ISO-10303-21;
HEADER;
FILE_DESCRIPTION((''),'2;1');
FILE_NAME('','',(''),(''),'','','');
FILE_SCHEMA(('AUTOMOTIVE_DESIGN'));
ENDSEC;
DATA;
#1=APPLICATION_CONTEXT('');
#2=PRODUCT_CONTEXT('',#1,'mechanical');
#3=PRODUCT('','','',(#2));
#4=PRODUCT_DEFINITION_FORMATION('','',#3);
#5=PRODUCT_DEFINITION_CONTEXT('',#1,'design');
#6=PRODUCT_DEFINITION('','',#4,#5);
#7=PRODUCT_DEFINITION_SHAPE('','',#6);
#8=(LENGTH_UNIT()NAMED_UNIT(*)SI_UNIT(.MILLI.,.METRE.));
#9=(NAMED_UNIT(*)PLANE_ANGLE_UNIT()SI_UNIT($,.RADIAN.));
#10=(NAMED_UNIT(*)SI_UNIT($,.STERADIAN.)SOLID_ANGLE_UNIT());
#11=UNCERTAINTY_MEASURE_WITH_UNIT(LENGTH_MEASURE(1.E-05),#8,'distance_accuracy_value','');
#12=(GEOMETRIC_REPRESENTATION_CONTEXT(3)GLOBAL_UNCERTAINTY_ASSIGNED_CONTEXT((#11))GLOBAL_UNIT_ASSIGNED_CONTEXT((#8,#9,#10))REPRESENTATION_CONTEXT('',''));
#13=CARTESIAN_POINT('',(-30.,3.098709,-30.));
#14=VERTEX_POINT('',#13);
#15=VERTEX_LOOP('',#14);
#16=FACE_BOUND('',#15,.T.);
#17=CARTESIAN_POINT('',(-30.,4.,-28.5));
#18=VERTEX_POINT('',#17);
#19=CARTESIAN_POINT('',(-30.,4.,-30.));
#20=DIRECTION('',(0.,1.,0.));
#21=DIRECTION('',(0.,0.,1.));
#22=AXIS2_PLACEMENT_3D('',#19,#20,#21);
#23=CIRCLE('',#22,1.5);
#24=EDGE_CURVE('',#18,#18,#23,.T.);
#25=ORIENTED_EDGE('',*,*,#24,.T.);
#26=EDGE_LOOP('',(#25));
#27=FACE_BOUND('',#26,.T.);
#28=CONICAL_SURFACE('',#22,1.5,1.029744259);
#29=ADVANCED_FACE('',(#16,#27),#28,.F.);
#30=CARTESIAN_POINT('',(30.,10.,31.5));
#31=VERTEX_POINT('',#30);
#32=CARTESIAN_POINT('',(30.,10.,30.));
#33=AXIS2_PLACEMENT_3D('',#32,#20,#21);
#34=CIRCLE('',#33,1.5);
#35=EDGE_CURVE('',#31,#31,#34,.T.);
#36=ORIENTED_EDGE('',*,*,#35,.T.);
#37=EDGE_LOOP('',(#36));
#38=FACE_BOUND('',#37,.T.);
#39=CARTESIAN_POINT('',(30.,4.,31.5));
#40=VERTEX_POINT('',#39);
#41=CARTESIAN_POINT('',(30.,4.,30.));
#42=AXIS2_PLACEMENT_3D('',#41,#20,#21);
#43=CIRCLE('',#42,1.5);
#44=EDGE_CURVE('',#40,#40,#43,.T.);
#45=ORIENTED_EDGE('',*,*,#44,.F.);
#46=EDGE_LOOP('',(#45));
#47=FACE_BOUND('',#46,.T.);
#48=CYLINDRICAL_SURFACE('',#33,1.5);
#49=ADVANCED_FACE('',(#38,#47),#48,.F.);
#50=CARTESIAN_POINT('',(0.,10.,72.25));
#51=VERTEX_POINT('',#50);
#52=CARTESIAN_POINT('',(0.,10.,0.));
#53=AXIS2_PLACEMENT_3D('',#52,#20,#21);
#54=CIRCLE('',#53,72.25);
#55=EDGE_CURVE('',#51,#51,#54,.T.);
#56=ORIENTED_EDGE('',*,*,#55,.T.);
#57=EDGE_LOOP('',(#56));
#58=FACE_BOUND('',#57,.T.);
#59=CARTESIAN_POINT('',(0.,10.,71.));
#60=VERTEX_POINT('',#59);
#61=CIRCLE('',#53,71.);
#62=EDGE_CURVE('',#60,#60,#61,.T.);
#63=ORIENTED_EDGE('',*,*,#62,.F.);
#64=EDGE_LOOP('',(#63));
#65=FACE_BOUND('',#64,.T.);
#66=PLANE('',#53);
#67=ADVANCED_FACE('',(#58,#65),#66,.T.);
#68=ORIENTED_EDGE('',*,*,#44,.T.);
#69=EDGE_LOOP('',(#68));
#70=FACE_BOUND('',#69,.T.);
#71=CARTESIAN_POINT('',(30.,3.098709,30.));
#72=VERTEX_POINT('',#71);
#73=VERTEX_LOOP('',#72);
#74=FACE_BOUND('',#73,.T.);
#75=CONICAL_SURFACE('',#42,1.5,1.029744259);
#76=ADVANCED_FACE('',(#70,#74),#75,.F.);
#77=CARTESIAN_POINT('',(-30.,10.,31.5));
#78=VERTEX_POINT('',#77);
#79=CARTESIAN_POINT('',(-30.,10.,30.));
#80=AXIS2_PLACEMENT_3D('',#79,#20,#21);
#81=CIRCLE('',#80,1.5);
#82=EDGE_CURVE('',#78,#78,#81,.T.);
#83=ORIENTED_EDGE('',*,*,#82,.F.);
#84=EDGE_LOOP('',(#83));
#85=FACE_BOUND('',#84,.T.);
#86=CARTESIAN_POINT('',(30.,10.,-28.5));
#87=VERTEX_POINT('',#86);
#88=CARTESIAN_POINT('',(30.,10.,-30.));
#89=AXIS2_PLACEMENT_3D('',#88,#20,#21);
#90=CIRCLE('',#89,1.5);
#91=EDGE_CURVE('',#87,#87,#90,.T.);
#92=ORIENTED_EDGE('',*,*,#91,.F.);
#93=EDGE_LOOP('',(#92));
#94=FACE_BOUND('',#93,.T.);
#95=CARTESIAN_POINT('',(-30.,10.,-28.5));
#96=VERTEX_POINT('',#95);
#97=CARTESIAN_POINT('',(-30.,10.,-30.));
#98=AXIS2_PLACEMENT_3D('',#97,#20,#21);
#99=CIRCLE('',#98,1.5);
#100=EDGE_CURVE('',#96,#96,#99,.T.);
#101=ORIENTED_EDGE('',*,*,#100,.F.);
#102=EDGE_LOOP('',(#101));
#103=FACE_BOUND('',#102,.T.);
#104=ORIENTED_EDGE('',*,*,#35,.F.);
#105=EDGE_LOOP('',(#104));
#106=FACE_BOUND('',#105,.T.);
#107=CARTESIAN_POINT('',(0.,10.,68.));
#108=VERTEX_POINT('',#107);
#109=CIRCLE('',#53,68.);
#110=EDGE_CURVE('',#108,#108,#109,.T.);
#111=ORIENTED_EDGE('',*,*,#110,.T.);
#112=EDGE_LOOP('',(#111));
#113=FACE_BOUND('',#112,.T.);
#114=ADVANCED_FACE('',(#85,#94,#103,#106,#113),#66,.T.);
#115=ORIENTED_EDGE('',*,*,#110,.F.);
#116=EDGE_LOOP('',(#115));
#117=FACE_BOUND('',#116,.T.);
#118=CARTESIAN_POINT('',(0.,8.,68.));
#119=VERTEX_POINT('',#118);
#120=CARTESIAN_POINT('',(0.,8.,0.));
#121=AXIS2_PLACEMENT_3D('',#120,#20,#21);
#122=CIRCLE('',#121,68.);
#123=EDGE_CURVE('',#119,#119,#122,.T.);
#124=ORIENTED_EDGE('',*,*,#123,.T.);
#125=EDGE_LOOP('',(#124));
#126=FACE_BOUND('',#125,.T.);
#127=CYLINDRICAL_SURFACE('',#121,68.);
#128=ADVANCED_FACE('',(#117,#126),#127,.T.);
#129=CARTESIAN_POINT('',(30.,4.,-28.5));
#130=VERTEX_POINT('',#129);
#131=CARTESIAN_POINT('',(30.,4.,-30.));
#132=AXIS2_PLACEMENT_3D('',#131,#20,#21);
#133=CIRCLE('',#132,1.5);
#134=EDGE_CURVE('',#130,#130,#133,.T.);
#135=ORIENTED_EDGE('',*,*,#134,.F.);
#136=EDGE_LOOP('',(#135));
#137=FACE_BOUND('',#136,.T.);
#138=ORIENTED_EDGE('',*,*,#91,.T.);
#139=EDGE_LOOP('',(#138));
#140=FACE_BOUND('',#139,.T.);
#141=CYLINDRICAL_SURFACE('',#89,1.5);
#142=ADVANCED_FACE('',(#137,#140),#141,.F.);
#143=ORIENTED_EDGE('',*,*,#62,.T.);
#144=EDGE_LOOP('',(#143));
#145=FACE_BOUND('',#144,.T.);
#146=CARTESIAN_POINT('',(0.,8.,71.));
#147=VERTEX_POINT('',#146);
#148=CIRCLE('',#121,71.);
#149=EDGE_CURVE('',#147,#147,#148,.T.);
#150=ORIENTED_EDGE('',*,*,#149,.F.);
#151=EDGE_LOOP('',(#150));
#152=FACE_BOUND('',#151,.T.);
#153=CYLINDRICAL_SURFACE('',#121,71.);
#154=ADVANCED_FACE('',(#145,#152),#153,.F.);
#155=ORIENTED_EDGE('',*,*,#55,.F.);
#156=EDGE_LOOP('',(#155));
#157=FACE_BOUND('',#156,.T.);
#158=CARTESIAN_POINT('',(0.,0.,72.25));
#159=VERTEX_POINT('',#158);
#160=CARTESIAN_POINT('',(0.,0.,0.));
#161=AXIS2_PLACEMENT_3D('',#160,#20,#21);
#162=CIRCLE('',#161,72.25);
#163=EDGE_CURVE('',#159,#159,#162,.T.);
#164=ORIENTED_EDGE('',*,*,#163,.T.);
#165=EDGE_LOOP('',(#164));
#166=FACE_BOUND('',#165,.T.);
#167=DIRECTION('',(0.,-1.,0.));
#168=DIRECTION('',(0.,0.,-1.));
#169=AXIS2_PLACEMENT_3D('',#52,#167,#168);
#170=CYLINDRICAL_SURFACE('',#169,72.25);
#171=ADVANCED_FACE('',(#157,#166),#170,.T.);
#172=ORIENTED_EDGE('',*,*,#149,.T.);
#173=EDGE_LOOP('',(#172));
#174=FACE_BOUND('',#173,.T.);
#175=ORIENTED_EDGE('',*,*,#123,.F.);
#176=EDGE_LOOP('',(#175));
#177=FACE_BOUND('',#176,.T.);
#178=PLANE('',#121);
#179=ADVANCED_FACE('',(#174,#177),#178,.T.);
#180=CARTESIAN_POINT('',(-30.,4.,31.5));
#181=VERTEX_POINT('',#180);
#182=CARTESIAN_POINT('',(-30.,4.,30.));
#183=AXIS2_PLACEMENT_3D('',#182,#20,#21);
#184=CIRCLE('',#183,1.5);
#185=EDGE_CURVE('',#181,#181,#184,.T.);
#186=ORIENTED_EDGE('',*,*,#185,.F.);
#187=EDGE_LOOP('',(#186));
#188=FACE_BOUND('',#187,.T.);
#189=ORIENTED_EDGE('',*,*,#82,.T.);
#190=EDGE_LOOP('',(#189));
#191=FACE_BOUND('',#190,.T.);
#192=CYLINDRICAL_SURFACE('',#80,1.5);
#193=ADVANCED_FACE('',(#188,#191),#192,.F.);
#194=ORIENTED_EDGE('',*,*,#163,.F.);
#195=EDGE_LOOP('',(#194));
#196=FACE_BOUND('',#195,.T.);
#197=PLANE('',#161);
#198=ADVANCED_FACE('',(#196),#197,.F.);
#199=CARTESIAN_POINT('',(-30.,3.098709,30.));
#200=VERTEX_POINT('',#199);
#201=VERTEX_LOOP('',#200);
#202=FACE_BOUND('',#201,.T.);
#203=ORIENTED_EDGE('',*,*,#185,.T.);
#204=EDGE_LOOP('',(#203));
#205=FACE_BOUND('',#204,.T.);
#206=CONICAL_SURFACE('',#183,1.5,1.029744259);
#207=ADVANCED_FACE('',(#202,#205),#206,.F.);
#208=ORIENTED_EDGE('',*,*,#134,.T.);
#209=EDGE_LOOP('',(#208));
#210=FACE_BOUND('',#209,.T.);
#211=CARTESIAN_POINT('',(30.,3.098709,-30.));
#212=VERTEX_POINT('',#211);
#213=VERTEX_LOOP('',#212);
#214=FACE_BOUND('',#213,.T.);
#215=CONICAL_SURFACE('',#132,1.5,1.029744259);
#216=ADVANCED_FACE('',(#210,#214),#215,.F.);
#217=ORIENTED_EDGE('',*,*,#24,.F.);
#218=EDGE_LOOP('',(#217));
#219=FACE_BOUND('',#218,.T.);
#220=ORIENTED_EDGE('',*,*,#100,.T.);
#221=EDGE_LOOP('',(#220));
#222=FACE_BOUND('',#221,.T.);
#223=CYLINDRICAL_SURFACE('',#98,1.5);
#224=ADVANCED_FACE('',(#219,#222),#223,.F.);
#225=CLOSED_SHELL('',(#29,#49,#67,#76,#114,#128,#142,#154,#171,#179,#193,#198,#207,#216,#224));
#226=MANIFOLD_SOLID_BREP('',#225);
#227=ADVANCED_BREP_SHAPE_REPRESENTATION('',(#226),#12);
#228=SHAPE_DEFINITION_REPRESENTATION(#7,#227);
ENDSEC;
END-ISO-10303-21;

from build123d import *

# Parameters (mm, degrees)
SKETCH_1_R          = 72.25
EXTRUDE_7_DEPTH     = 10
F_3_0MM_1_D         = 3
F_3_0MM_1_DEPTH     = 6
F_3_0MM_1_TIP       = 0.901290929
CUT_EXTRUDE_START   = 10
SKETCH_1_11_R       = 71
SKETCH_1_11_R_2     = 68
CUT_EXTRUDE_1_DEPTH = 2


with BuildPart() as part:
    # 草圖1 → 填料-伸長7 (new body)
    with BuildSketch(Plane(origin=(0, 0, 0), x_dir=(1, 0, 0), z_dir=(0, 1, 0))):
        with Locations(Location((0, 0, 0), (0, 0, 270))):
            Circle(SKETCH_1_R)
    extrude(amount=EXTRUDE_7_DEPTH)

    # Ø3.0mm 定位孔1
    with Locations(Plane(origin=(0, 10, 0), x_dir=(1, 0, 0), z_dir=(0, 1, 0))):
        with Locations((-30, 30), (-30, -30), (30, -30), (30, 30)):
            Hole(F_3_0MM_1_D / 2, depth=F_3_0MM_1_DEPTH)
            with Locations((0, 0, -(F_3_0MM_1_DEPTH + F_3_0MM_1_TIP / 2))):  # 118° drill point
                Cone(0, F_3_0MM_1_D / 2, F_3_0MM_1_TIP, mode=Mode.SUBTRACT)

    # 草圖1<11> → 除料-伸長1 (cut)
    with BuildSketch(Plane(origin=(0, 0, 0), x_dir=(1, 0, 0), z_dir=(0, 1, 0)).offset(CUT_EXTRUDE_START)):
        with Locations(Location((0, 0, 0), (0, 0, 270))):
            Circle(SKETCH_1_11_R)
        with Locations(Location((0, 0, 0), (0, 0, 270))):
            Circle(SKETCH_1_11_R_2, mode=Mode.SUBTRACT)
    extrude(amount=-CUT_EXTRUDE_1_DEPTH, mode=Mode.SUBTRACT)


solid = part.part
